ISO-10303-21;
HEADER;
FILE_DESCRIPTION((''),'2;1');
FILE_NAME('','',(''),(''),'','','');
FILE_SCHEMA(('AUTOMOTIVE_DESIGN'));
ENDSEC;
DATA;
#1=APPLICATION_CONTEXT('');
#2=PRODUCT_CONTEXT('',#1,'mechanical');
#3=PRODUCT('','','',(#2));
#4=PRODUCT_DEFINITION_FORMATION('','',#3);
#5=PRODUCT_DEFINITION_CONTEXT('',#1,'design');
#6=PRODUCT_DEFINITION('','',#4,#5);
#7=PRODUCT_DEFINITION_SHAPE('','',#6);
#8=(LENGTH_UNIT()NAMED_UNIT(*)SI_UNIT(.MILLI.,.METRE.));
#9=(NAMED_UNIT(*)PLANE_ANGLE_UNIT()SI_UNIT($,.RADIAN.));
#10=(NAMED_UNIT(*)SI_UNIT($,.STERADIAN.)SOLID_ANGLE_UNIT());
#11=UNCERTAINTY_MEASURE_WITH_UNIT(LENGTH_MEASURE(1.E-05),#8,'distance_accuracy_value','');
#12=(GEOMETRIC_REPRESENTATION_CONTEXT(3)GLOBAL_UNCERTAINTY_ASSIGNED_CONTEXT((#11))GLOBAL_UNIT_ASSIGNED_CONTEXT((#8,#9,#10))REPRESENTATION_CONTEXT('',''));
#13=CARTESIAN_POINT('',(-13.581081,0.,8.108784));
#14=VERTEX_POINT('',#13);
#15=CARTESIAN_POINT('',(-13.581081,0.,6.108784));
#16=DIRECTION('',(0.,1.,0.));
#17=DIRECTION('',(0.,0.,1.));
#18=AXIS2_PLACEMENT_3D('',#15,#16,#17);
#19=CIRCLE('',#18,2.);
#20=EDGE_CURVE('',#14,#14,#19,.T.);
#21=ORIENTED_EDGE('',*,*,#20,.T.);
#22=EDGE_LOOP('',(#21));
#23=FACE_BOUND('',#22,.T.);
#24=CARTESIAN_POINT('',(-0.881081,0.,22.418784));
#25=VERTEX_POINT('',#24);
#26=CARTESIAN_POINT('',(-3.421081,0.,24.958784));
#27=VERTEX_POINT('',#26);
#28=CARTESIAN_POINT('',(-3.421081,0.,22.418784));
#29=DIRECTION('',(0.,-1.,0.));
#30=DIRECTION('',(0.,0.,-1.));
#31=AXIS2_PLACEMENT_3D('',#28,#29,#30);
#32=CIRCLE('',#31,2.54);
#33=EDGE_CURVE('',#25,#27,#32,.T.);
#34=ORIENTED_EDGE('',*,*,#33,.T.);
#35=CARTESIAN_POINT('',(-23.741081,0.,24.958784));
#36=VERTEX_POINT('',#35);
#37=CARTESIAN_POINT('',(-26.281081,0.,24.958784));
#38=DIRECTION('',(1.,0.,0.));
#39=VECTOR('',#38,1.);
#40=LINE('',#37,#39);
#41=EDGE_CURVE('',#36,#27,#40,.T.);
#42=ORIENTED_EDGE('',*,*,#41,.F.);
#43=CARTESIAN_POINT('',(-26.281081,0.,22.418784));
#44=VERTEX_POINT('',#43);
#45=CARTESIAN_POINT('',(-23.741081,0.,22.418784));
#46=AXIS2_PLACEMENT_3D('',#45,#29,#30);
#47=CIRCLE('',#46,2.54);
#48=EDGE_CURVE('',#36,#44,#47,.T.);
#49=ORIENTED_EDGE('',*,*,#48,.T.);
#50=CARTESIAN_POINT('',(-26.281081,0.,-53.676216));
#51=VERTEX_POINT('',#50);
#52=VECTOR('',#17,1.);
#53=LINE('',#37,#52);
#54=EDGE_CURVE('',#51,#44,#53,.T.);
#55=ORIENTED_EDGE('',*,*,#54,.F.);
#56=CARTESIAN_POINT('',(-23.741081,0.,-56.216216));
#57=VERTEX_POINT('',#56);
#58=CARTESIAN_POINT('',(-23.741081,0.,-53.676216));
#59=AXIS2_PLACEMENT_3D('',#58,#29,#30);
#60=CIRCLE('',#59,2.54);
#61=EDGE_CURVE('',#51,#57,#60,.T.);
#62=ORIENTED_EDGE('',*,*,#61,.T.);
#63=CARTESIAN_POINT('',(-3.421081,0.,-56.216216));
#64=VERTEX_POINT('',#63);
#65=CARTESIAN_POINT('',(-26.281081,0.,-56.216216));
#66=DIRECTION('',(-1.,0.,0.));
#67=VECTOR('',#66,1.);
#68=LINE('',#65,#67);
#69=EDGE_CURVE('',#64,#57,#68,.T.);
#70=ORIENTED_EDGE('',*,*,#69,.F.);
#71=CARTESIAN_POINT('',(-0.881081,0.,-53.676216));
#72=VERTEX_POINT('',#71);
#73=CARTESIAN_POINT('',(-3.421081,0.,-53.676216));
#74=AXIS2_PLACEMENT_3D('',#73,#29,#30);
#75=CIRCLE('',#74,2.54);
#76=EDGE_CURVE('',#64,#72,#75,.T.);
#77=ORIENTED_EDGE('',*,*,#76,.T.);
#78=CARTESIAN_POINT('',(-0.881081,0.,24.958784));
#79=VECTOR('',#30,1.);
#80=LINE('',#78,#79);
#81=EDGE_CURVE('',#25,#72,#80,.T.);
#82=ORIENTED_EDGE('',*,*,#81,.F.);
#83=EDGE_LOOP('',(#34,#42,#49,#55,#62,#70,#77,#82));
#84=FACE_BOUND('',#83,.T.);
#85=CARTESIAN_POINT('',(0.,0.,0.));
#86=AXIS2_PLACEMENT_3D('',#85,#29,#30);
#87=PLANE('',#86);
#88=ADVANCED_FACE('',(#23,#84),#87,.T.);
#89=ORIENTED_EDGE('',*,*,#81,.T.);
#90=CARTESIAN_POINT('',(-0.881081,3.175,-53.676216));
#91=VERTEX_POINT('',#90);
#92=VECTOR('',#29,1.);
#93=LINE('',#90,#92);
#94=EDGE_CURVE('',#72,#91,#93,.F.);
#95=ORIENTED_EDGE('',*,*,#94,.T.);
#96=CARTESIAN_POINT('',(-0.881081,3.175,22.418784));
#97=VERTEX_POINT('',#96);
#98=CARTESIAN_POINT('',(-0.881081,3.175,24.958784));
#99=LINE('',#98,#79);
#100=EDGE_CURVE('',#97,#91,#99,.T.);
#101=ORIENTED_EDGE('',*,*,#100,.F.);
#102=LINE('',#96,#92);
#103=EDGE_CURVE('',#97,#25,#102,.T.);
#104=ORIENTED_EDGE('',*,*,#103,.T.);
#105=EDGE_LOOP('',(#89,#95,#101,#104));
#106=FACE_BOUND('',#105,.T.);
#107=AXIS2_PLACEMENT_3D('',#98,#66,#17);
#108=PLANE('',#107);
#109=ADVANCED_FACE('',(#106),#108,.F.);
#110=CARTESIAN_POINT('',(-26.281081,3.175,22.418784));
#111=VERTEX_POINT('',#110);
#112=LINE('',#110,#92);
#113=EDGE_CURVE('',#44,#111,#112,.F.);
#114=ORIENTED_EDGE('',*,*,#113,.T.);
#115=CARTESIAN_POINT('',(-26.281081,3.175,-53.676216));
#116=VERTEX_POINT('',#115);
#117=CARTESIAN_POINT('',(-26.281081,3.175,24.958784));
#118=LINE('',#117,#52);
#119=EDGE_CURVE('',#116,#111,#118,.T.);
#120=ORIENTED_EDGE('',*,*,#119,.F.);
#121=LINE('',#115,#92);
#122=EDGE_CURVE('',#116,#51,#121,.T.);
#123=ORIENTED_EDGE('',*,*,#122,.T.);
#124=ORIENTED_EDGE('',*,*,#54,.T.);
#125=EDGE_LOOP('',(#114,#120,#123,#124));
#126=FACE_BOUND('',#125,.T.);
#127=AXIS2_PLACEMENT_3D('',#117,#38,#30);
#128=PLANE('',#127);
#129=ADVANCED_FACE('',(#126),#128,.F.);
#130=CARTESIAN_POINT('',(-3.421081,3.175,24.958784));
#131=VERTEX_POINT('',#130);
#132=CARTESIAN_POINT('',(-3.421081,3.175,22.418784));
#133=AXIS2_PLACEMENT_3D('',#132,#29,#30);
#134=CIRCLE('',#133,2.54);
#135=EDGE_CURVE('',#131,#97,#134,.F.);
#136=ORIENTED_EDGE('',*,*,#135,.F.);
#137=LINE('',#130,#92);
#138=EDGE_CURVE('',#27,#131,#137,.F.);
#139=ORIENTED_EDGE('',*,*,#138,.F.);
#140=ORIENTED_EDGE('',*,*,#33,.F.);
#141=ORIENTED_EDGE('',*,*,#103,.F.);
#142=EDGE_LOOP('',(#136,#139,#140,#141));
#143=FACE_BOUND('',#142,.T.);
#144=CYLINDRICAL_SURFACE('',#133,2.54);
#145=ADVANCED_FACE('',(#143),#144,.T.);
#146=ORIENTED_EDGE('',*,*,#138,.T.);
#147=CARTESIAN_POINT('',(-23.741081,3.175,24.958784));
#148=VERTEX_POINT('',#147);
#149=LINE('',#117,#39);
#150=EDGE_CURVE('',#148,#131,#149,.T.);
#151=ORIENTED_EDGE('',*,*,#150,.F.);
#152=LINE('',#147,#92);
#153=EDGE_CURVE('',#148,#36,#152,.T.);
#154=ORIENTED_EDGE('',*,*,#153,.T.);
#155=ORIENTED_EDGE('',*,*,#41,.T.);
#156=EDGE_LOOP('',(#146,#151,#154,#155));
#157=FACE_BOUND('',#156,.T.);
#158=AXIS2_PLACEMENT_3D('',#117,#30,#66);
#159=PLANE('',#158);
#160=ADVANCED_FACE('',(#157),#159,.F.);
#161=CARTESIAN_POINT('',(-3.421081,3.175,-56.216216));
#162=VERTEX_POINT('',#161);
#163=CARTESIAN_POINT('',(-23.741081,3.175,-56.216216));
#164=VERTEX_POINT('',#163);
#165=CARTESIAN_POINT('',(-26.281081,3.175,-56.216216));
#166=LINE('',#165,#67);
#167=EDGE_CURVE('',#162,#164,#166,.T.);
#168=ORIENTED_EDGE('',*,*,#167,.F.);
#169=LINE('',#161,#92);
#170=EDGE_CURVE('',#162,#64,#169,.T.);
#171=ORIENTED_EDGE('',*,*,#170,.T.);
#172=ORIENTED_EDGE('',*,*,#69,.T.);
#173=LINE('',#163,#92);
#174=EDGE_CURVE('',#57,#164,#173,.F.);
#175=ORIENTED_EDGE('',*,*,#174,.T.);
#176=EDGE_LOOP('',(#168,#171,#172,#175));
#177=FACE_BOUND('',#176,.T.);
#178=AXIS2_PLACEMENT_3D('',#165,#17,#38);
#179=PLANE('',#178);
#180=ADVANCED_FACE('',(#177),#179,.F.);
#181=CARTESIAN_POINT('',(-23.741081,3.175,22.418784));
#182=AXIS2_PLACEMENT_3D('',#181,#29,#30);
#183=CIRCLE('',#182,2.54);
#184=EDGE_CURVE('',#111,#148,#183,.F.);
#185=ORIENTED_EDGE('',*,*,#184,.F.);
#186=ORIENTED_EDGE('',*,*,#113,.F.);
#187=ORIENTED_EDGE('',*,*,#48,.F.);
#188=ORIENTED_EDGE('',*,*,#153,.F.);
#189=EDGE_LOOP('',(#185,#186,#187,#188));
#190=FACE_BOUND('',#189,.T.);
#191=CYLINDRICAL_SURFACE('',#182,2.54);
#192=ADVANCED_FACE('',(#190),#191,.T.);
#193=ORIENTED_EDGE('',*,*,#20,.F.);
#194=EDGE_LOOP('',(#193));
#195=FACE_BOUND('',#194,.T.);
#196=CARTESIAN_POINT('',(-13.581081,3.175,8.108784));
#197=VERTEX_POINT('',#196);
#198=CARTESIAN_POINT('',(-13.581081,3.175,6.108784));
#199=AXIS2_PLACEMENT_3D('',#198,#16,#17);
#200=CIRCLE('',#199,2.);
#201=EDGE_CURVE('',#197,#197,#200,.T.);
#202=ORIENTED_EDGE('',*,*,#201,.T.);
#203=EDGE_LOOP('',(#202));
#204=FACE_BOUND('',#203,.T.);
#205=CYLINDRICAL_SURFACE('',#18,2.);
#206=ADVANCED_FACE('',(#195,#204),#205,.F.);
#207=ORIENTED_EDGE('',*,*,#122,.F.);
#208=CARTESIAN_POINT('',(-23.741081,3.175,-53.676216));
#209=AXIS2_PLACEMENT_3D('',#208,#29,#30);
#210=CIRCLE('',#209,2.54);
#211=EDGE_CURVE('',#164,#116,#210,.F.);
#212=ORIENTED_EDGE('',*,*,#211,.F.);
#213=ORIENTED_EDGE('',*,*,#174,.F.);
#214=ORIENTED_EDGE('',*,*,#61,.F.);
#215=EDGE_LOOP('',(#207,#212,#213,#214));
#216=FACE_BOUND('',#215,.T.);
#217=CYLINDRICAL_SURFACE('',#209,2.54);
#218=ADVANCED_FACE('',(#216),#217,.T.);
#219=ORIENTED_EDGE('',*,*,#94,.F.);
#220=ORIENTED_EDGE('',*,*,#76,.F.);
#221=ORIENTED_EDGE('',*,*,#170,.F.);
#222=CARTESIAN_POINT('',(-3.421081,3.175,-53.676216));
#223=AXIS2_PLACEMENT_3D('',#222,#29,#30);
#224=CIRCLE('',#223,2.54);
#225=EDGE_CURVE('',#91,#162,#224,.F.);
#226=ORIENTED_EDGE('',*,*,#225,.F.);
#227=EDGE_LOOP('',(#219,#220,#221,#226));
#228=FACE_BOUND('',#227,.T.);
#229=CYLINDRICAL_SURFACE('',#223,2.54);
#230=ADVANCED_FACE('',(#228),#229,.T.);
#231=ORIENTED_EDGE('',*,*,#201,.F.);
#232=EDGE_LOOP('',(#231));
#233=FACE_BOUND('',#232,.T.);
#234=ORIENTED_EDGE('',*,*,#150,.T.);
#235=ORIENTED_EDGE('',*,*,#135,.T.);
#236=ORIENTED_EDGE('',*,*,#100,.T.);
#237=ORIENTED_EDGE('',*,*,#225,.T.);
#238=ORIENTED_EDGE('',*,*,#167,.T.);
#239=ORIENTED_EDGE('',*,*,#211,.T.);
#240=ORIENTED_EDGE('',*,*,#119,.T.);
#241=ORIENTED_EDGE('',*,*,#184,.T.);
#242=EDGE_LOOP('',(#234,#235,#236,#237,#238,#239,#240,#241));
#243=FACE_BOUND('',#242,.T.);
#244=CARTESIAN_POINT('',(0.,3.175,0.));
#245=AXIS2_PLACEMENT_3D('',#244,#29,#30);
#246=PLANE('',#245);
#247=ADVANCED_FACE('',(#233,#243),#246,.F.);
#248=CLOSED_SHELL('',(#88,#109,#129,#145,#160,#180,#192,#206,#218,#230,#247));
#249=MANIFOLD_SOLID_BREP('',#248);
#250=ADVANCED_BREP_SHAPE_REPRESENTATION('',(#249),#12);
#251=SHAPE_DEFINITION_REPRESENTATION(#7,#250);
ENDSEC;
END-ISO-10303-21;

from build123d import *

# Parameters (mm, degrees)
SKETCH1_W           = 25.4
SKETCH1_H           = 81.175
BOSS_EXTRUDE1_DEPTH = 3.175
SKETCH2_R           = 2
CUT_EXTRUDE1_DEPTH  = 63.137257853
FILLET1_R           = 2.54


with BuildPart() as part:
    # Sketch1 → Boss-Extrude1 (new body)
    with BuildSketch(Plane(origin=(0, 0, 0), x_dir=(1, 0, 0), z_dir=(0, 1, 0))):
        with Locations((-13.581081081, 15.628716216)):
            Rectangle(SKETCH1_W, SKETCH1_H)
    extrude(amount=BOSS_EXTRUDE1_DEPTH)

    # Sketch2 → Cut-Extrude1 (cut, through all)
    with BuildSketch(Plane(origin=(0, 3.175, 0), x_dir=(1, 0, 0), z_dir=(0, 1, 0))):
        with Locations(Location((-13.581081081, -6.108783784, 0), (0, 0, 270))):
            Circle(SKETCH2_R)
    extrude(amount=-CUT_EXTRUDE1_DEPTH, mode=Mode.SUBTRACT)

    # Fillet1
    fillet1_edges = [part.edges().sort_by_distance(p)[0] for p in [
        (-26.281081081, 1.5875, -56.216216216),
        (-0.881081081, 1.5875, -56.216216216),
        (-0.881081081, 1.5875, 24.958783784),
        (-26.281081081, 1.5875, 24.958783784),
    ]]
    fillet(fillet1_edges, radius=FILLET1_R)


solid = part.part
